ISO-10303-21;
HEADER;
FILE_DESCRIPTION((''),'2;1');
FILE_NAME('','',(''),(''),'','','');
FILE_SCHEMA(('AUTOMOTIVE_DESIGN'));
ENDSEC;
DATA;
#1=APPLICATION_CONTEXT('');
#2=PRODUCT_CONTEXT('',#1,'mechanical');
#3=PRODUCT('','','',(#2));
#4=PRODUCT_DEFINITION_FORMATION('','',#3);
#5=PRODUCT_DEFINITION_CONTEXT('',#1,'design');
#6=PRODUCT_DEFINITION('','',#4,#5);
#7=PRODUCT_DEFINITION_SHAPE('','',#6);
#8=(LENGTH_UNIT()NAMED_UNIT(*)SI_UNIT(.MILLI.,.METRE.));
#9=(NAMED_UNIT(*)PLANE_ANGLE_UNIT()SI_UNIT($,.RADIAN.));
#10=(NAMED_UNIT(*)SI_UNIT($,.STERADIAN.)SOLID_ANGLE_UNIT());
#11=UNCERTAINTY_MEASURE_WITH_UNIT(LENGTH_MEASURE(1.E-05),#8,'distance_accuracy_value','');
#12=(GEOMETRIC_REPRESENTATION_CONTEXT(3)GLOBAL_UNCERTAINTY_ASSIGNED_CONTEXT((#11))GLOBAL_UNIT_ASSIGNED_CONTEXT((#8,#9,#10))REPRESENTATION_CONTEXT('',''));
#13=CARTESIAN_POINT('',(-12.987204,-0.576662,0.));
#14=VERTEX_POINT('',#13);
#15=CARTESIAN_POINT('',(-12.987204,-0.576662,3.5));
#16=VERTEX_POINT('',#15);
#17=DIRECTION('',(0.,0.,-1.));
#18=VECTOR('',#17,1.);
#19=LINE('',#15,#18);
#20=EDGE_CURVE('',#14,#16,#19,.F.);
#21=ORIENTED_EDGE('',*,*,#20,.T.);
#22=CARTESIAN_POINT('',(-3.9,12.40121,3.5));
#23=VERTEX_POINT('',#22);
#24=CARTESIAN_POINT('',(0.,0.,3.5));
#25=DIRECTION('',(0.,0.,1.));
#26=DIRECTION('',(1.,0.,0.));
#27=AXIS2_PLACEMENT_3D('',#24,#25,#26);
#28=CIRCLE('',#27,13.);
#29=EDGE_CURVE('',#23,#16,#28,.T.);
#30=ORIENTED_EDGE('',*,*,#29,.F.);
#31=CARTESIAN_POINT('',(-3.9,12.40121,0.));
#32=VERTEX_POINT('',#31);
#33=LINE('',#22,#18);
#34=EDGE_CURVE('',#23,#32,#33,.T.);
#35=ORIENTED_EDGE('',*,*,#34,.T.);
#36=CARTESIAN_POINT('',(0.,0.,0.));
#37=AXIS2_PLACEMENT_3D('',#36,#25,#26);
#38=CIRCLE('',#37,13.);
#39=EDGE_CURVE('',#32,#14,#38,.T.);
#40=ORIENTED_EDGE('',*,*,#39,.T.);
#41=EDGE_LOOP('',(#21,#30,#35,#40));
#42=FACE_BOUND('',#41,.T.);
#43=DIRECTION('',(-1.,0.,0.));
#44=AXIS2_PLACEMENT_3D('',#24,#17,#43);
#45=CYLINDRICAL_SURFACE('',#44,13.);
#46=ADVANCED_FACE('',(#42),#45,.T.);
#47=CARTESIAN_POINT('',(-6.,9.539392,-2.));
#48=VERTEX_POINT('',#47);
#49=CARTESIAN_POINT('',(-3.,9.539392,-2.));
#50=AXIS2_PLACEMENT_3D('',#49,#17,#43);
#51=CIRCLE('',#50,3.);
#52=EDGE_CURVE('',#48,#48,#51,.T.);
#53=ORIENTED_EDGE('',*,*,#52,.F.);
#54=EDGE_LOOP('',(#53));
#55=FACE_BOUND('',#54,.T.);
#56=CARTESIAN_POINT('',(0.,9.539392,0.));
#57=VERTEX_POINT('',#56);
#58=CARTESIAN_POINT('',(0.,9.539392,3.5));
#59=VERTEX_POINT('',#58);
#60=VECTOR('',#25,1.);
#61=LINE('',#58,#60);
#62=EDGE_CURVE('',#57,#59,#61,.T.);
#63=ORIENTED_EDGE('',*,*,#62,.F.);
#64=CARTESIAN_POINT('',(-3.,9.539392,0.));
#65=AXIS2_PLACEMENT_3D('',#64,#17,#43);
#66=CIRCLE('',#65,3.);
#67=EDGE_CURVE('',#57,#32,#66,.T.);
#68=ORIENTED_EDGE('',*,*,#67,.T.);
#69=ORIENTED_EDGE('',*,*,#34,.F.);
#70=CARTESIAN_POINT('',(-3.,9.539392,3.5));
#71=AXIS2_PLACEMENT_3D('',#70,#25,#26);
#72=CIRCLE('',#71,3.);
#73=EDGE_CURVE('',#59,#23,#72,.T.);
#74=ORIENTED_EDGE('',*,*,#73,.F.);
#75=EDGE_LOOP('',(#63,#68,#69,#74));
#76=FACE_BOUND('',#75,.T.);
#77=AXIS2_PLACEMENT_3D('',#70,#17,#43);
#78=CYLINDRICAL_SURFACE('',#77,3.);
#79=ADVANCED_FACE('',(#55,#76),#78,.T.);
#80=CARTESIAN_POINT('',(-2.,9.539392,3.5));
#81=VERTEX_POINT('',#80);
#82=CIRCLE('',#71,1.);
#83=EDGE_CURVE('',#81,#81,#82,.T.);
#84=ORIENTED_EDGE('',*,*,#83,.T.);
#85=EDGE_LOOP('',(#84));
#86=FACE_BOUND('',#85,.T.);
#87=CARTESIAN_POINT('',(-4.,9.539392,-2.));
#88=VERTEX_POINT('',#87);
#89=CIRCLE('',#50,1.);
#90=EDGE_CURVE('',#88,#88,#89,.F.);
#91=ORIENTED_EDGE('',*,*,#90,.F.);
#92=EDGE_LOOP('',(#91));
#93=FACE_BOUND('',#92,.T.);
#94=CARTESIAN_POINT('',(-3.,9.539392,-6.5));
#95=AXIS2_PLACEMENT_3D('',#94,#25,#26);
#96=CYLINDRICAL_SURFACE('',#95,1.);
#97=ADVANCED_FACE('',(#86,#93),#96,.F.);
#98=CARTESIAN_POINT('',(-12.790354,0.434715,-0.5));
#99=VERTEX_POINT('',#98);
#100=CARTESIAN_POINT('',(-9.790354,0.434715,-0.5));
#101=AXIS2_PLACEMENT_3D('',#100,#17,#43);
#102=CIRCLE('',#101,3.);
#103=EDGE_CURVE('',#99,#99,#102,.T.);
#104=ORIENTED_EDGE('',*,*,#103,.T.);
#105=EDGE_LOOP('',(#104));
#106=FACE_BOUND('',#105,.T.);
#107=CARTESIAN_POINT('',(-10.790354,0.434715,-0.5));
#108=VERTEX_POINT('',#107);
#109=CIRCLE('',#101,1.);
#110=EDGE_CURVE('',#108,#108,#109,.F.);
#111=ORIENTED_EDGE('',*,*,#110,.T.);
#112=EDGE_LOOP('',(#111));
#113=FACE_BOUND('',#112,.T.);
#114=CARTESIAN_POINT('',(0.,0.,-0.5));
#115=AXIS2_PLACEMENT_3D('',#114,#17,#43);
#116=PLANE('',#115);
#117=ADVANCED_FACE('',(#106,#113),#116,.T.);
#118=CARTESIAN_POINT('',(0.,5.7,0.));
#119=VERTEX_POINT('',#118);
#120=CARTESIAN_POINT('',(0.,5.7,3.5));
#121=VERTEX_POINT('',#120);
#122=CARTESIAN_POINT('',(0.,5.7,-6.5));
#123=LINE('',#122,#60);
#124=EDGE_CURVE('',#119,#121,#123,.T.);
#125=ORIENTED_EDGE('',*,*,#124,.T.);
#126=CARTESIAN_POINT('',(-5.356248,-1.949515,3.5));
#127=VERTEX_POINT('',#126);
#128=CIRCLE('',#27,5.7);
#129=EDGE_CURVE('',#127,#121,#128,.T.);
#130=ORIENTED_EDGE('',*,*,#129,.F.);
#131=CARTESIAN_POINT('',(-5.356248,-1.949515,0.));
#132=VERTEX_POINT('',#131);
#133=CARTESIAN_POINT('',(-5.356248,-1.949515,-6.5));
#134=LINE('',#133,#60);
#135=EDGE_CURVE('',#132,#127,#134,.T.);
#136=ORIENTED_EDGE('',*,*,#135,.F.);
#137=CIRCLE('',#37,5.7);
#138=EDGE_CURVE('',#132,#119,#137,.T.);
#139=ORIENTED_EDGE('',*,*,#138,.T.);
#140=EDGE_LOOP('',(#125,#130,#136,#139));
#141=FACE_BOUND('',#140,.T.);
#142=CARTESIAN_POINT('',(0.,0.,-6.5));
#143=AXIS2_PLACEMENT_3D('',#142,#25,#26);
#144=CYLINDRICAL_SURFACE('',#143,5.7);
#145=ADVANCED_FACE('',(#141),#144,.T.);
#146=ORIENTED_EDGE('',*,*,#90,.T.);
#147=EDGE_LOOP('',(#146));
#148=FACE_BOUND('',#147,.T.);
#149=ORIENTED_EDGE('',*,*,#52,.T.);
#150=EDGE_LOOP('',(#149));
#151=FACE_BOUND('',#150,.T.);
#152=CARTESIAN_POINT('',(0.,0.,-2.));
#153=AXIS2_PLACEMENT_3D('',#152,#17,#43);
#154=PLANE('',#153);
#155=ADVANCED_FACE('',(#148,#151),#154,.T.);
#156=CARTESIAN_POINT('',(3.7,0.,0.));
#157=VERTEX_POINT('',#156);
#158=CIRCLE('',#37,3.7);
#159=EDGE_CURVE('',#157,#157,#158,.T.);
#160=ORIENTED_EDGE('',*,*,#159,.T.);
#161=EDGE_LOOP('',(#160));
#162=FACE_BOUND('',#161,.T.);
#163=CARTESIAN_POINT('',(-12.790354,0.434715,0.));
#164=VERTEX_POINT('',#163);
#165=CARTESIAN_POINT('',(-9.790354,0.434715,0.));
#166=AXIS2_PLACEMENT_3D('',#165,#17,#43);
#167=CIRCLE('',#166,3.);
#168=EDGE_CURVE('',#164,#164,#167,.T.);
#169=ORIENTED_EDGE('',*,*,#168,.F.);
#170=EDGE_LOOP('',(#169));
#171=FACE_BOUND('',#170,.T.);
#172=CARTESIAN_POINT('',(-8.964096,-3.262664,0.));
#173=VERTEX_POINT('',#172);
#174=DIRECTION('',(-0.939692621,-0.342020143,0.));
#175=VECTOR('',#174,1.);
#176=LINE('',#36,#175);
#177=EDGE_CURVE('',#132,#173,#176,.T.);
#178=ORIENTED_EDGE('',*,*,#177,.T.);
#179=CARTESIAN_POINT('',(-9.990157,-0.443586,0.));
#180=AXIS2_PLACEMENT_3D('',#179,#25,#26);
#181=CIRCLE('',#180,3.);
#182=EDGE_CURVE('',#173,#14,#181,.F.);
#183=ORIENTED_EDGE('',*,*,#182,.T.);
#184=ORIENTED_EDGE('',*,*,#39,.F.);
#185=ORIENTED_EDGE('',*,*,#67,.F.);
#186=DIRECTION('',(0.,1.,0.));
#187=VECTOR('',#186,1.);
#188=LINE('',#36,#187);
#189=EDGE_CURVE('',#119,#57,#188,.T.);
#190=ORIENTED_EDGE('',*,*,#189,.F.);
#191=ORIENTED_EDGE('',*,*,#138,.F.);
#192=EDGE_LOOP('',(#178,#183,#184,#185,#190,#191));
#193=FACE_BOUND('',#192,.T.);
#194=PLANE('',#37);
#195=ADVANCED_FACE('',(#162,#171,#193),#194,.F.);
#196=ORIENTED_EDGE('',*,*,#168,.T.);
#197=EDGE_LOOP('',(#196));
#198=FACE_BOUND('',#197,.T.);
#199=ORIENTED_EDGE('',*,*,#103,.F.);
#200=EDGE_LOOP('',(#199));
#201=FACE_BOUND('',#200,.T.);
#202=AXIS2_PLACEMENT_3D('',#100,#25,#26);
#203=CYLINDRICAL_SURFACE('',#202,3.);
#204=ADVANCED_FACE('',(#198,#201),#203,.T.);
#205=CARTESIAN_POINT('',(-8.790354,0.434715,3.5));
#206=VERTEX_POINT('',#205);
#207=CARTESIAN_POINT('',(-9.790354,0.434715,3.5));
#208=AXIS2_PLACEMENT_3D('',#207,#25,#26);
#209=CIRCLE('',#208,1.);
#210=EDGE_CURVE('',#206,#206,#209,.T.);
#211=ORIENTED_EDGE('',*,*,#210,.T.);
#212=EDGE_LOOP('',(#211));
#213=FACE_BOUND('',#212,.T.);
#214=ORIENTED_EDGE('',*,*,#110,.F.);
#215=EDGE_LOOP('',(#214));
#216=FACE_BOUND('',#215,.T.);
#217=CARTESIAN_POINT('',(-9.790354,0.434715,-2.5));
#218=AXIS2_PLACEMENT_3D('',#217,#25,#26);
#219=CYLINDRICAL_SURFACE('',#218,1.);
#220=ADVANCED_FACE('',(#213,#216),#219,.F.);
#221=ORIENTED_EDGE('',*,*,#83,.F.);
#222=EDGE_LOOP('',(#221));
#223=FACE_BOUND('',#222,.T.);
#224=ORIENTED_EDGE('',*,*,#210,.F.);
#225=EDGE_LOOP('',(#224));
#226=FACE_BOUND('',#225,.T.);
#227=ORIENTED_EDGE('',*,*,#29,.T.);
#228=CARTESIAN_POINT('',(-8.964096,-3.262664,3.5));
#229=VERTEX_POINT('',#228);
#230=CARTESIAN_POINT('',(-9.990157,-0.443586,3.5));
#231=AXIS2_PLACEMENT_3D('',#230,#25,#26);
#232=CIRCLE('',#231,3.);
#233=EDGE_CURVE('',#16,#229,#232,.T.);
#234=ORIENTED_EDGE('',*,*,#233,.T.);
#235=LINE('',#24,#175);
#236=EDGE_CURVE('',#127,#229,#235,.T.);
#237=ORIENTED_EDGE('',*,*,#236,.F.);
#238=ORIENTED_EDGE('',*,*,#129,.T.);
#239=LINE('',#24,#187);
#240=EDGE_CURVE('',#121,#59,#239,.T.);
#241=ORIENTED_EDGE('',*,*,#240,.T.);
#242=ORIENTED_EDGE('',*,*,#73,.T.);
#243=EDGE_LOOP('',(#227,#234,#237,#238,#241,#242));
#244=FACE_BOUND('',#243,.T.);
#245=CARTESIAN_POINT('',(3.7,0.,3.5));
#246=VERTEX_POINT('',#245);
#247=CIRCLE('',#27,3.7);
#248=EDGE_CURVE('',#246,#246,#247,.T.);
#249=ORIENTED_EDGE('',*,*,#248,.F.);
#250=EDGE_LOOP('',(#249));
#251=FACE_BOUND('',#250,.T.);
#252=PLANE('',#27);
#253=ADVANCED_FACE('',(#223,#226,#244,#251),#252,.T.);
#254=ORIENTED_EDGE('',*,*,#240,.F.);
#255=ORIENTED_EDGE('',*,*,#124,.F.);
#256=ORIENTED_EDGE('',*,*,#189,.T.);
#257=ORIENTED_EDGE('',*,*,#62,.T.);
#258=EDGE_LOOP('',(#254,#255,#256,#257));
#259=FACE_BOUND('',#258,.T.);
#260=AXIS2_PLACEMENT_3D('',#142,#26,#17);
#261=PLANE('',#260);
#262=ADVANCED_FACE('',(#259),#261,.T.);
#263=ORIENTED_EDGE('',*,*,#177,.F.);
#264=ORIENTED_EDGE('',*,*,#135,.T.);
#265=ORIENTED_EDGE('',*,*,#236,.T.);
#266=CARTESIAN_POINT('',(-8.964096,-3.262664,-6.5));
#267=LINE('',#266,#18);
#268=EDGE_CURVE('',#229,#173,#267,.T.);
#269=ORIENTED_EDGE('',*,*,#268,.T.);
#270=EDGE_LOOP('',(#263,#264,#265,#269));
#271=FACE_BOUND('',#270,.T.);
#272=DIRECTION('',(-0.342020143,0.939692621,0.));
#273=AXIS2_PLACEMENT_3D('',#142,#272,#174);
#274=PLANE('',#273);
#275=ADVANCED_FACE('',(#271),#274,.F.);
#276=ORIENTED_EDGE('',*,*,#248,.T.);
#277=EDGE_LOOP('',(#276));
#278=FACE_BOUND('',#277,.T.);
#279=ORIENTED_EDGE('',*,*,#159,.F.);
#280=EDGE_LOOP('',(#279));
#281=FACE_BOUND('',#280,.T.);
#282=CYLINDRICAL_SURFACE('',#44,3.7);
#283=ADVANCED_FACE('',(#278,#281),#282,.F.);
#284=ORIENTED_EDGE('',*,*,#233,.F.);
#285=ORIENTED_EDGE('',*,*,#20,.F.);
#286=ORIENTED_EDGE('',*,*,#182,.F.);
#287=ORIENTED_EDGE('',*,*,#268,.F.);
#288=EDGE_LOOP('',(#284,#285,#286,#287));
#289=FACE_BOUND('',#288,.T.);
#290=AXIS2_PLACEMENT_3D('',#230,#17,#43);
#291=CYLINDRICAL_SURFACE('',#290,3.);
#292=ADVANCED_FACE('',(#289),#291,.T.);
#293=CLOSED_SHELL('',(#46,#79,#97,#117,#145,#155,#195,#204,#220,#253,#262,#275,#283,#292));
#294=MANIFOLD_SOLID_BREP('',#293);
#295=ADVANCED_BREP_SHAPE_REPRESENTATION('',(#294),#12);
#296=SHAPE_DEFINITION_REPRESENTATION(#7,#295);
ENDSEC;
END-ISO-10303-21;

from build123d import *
from build123d.topology import SkipClean

# Parameters (mm, degrees)
SKETCH1_R           = 13
SKETCH1_R_2         = 3.7
BOSS_EXTRUDE1_DEPTH = 3.5
CUT_EXTRUDE1_START  = -10
CUT_EXTRUDE1_DEPTH  = 10
SKETCH3_R           = 1
CUT_EXTRUDE2_DEPTH  = 10
SKETCH5_R           = 1
CUT_EXTRUDE3_DEPTH  = 6
FILLET1_R           = 3
SKETCH6_R           = 3
SKETCH6_R_2         = 1
BOSS_EXTRUDE2_DEPTH = 0.5
SKETCH6_3_R         = 3
SKETCH6_3_R_2       = 1
BOSS_EXTRUDE3_DEPTH = 2


with BuildPart() as part:
    # Sketch1 → Boss-Extrude1 (new body)
    with BuildSketch(Plane.XY):
        Circle(SKETCH1_R)
        Circle(SKETCH1_R_2, mode=Mode.SUBTRACT)
    extrude(amount=BOSS_EXTRUDE1_DEPTH)

    # Sketch2 → Cut-Extrude1 (cut)
    with BuildSketch(Plane.XY.offset(3.5).offset(CUT_EXTRUDE1_START)):
        with BuildLine():
            ThreePointArc((5.7, 0), (0.989794613, -5.613404192), (-5.356247938, -1.949514817))
            Line((-5.356247938, -1.949514817), (-12.21600407, -4.446261863))
            ThreePointArc((-12.21600407, -4.446261863), (2.25742631, -12.802500789), (13, 0))
            ThreePointArc((13, 0), (9.192388155, 9.192388155), (0, 13))
            Line((0, 13), (0, 5.7))
            ThreePointArc((0, 5.7), (4.030508653, 4.030508653), (5.7, 0))
        make_face()
    extrude(amount=CUT_EXTRUDE1_DEPTH, mode=Mode.SUBTRACT)

    # Sketch3 → Cut-Extrude2 (cut)
    with BuildSketch(Plane.XY.offset(3.5)):
        with Locations((-3, 9.539392014)):
            Circle(SKETCH3_R)
    extrude(amount=-CUT_EXTRUDE2_DEPTH, mode=Mode.SUBTRACT)

    # Sketch5 → Cut-Extrude3 (cut)
    with BuildSketch(Plane.XY.offset(3.5)):
        with Locations((-9.790353578, 0.434714634)):
            Circle(SKETCH5_R)
    extrude(amount=-CUT_EXTRUDE3_DEPTH, mode=Mode.SUBTRACT)

    # Fillet1
    fillet1_edges = [part.edges().sort_by_distance(p)[0] for p in [
        (-12.21600407, -4.446261863, 1.75),
        (0, 13, 1.75),
    ]]
    fillet(fillet1_edges, radius=FILLET1_R)

    # Sketch6 → Boss-Extrude2 (add)
    with SkipClean():  # the faces are left unmerged after this step: merging them gives an invalid solid
        with BuildSketch(Plane(origin=(0, 0, 0), x_dir=(-1, 0, 0), z_dir=(0, 0, -1))):
            with Locations((9.790353578, 0.434714634)):
                Circle(SKETCH6_R)
            with Locations((9.790353578, 0.434714634)):
                Circle(SKETCH6_R_2, mode=Mode.SUBTRACT)
        extrude(amount=BOSS_EXTRUDE2_DEPTH)

    # Sketch6<3> → Boss-Extrude3 (add)
    with SkipClean():  # the faces are left unmerged after this step: merging them gives an invalid solid
        with BuildSketch(Plane(origin=(0, 0, 0), x_dir=(-1, 0, 0), z_dir=(0, 0, -1))):
            with Locations((3, 9.539392014)):
                Circle(SKETCH6_3_R)
            with Locations((3, 9.539392014)):
                Circle(SKETCH6_3_R_2, mode=Mode.SUBTRACT)
        extrude(amount=BOSS_EXTRUDE3_DEPTH)


solid = part.part
